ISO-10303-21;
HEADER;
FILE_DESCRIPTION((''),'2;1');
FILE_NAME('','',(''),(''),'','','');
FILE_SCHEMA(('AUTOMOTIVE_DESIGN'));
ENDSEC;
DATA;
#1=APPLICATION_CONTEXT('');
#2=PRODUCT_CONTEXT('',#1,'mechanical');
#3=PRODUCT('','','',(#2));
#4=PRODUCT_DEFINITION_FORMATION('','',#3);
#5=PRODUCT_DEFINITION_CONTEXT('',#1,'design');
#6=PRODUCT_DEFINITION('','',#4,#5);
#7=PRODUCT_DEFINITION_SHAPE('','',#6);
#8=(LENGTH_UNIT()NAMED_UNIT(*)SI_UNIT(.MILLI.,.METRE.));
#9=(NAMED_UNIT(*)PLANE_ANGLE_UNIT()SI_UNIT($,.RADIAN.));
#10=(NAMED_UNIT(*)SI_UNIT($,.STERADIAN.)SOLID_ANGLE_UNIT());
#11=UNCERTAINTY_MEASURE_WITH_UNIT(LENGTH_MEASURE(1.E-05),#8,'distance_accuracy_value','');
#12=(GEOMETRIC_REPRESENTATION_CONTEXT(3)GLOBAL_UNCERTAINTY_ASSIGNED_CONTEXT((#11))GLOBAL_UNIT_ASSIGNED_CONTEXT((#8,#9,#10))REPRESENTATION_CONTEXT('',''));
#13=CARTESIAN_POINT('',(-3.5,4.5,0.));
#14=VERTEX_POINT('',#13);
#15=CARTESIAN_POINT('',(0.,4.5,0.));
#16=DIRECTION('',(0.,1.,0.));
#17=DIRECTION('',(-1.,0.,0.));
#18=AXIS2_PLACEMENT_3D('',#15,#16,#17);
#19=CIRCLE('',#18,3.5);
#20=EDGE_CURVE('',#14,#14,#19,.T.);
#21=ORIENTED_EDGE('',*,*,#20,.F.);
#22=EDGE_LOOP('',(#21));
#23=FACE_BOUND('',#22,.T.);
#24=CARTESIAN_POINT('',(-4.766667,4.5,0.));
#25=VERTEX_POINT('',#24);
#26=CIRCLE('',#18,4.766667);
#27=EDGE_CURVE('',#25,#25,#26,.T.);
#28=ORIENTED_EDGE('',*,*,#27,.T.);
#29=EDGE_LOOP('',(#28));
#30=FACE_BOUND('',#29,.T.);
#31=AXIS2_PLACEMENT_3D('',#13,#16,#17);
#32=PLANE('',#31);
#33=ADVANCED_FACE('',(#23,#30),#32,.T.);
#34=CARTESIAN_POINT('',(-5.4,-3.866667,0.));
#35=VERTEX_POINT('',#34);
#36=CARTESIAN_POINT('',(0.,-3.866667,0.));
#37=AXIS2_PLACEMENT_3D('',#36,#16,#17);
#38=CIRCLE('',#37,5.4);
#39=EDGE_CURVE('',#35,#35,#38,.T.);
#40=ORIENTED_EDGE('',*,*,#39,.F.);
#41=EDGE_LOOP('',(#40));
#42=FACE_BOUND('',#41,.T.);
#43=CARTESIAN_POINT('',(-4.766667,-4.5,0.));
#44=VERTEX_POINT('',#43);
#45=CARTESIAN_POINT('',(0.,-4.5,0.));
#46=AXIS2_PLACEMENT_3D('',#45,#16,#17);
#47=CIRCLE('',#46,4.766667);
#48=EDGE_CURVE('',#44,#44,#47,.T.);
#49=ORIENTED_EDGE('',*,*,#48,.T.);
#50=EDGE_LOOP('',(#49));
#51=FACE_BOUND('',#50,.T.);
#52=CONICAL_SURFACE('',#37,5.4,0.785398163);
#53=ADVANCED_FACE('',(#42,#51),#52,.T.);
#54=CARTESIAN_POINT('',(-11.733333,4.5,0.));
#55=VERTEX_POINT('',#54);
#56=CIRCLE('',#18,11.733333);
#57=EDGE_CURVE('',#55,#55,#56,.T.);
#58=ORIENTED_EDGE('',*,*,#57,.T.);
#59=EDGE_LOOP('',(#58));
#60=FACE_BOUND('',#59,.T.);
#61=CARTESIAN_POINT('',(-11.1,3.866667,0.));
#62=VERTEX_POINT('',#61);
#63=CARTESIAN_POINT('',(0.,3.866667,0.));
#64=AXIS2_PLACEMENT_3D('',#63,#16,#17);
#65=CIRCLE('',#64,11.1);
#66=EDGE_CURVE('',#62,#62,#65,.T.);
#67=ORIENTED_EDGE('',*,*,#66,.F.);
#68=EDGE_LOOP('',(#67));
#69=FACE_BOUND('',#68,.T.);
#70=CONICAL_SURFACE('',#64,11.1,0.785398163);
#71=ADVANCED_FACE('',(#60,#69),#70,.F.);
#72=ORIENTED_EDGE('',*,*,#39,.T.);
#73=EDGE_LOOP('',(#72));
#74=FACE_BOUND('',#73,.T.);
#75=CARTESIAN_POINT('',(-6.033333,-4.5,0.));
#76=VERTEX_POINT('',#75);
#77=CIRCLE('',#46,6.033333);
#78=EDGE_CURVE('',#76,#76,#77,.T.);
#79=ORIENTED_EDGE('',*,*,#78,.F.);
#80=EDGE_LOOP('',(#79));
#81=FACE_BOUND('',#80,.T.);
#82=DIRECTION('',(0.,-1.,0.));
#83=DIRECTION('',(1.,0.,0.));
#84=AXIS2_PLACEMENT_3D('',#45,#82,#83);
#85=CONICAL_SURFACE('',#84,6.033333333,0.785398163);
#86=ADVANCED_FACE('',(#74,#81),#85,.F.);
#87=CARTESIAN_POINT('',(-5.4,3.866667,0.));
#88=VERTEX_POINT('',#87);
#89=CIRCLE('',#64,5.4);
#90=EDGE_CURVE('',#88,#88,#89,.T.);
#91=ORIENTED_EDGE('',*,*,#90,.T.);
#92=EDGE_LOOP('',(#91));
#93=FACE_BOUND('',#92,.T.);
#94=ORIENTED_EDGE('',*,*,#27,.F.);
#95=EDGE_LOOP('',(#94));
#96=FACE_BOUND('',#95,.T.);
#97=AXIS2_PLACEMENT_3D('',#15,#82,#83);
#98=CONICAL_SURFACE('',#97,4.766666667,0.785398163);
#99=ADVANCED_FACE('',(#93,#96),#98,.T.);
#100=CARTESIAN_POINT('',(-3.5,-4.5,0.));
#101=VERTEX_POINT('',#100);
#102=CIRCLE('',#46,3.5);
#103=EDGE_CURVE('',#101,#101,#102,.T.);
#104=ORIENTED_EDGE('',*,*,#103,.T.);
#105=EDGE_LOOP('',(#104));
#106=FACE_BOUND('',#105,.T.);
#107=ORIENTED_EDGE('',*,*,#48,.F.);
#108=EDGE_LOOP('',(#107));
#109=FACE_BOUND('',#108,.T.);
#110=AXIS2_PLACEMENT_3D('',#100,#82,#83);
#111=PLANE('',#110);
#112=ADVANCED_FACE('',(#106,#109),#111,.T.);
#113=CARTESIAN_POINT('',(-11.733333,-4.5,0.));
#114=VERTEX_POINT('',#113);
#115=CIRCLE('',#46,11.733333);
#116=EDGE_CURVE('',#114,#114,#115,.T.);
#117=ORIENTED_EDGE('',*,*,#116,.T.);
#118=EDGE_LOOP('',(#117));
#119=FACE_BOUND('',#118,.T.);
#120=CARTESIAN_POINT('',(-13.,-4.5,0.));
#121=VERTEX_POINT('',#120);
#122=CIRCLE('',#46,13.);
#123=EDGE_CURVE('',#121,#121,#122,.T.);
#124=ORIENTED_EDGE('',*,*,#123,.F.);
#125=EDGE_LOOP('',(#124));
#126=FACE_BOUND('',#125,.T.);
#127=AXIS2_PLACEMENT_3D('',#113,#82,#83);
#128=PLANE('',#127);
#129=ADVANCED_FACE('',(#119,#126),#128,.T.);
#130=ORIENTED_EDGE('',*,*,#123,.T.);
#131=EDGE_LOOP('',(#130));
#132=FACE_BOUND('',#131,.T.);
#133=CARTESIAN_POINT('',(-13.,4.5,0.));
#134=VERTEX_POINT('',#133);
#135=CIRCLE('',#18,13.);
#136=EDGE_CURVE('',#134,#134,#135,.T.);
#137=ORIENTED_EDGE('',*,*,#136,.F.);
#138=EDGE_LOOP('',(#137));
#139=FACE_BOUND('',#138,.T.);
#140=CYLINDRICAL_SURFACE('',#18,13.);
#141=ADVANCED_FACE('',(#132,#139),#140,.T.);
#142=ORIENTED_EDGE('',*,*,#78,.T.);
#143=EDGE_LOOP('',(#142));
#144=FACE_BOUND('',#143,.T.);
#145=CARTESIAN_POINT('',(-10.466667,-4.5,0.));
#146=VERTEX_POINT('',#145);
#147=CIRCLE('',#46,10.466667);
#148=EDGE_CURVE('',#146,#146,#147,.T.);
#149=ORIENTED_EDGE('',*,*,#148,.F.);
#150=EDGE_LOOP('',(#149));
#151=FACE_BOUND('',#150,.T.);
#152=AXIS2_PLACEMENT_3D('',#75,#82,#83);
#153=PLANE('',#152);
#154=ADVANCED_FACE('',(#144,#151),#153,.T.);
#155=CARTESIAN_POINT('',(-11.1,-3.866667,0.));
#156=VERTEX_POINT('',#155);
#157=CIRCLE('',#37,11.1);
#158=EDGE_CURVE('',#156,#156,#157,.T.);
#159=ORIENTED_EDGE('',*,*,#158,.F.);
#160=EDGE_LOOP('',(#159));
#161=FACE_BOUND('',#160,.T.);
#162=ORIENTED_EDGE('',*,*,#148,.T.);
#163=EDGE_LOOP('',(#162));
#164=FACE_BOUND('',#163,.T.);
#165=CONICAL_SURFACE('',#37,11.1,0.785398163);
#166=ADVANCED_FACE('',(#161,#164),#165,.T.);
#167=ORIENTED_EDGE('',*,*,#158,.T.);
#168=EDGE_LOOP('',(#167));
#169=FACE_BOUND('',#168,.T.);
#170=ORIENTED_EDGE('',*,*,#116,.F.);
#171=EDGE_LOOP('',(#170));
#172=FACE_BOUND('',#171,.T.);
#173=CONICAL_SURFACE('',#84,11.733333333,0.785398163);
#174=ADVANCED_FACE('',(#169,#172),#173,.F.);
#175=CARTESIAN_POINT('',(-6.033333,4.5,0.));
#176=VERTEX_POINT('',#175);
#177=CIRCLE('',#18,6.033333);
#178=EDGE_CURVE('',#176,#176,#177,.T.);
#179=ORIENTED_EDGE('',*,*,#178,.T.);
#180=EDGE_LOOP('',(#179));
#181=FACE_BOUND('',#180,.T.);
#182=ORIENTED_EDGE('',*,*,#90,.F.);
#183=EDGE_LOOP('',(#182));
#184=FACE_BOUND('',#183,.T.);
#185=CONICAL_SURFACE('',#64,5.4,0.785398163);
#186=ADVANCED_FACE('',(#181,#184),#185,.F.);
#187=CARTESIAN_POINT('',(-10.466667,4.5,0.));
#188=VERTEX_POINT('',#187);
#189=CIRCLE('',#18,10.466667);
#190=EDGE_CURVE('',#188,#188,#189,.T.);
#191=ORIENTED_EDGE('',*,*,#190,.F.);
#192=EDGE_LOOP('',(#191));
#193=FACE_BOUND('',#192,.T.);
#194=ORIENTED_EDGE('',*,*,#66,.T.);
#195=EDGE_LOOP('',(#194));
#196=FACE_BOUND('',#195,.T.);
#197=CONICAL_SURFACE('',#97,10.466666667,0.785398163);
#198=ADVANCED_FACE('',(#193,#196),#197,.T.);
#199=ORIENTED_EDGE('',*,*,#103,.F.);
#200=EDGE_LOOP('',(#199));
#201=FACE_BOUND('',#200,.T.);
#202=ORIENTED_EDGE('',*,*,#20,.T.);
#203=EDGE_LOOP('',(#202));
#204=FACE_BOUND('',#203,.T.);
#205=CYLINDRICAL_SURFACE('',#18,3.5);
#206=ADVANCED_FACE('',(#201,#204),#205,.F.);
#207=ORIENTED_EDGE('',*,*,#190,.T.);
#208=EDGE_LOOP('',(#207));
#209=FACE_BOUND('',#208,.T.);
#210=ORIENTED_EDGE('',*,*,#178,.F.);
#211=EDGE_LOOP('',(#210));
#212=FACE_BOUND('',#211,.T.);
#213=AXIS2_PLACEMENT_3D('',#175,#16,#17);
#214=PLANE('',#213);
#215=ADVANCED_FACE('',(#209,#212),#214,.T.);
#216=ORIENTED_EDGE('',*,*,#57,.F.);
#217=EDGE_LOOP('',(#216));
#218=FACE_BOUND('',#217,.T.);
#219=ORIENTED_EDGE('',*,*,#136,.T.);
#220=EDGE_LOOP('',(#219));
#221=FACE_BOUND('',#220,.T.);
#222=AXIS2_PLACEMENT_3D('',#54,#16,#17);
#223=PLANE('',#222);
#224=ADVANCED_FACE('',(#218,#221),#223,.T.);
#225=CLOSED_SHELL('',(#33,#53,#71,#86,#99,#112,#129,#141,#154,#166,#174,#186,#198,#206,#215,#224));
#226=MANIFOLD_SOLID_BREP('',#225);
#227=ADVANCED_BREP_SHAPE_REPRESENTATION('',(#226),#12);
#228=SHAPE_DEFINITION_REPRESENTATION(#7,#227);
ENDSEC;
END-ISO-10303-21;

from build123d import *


with BuildPart() as part:
    # Sketch1 → Revolve1 (revolve)
    with BuildSketch(Plane.XY):
        Polygon((-3.5, 4.5), (-4.766666667, 4.5), (-5.4, 3.866666667), (-6.033333333, 4.5), (-10.466666667, 4.5), (-11.1, 3.866666667), (-11.733333333, 4.5), (-13, 4.5), (-13, -4.5), (-11.733333333, -4.5), (-11.1, -3.866666667), (-10.466666667, -4.5), (-6.033333333, -4.5), (-5.4, -3.866666667), (-4.766666667, -4.5), (-3.5, -4.5), align=None)
    revolve(axis=Axis((0, 4.5, 0), (0, -1, 0)))


solid = part.part
